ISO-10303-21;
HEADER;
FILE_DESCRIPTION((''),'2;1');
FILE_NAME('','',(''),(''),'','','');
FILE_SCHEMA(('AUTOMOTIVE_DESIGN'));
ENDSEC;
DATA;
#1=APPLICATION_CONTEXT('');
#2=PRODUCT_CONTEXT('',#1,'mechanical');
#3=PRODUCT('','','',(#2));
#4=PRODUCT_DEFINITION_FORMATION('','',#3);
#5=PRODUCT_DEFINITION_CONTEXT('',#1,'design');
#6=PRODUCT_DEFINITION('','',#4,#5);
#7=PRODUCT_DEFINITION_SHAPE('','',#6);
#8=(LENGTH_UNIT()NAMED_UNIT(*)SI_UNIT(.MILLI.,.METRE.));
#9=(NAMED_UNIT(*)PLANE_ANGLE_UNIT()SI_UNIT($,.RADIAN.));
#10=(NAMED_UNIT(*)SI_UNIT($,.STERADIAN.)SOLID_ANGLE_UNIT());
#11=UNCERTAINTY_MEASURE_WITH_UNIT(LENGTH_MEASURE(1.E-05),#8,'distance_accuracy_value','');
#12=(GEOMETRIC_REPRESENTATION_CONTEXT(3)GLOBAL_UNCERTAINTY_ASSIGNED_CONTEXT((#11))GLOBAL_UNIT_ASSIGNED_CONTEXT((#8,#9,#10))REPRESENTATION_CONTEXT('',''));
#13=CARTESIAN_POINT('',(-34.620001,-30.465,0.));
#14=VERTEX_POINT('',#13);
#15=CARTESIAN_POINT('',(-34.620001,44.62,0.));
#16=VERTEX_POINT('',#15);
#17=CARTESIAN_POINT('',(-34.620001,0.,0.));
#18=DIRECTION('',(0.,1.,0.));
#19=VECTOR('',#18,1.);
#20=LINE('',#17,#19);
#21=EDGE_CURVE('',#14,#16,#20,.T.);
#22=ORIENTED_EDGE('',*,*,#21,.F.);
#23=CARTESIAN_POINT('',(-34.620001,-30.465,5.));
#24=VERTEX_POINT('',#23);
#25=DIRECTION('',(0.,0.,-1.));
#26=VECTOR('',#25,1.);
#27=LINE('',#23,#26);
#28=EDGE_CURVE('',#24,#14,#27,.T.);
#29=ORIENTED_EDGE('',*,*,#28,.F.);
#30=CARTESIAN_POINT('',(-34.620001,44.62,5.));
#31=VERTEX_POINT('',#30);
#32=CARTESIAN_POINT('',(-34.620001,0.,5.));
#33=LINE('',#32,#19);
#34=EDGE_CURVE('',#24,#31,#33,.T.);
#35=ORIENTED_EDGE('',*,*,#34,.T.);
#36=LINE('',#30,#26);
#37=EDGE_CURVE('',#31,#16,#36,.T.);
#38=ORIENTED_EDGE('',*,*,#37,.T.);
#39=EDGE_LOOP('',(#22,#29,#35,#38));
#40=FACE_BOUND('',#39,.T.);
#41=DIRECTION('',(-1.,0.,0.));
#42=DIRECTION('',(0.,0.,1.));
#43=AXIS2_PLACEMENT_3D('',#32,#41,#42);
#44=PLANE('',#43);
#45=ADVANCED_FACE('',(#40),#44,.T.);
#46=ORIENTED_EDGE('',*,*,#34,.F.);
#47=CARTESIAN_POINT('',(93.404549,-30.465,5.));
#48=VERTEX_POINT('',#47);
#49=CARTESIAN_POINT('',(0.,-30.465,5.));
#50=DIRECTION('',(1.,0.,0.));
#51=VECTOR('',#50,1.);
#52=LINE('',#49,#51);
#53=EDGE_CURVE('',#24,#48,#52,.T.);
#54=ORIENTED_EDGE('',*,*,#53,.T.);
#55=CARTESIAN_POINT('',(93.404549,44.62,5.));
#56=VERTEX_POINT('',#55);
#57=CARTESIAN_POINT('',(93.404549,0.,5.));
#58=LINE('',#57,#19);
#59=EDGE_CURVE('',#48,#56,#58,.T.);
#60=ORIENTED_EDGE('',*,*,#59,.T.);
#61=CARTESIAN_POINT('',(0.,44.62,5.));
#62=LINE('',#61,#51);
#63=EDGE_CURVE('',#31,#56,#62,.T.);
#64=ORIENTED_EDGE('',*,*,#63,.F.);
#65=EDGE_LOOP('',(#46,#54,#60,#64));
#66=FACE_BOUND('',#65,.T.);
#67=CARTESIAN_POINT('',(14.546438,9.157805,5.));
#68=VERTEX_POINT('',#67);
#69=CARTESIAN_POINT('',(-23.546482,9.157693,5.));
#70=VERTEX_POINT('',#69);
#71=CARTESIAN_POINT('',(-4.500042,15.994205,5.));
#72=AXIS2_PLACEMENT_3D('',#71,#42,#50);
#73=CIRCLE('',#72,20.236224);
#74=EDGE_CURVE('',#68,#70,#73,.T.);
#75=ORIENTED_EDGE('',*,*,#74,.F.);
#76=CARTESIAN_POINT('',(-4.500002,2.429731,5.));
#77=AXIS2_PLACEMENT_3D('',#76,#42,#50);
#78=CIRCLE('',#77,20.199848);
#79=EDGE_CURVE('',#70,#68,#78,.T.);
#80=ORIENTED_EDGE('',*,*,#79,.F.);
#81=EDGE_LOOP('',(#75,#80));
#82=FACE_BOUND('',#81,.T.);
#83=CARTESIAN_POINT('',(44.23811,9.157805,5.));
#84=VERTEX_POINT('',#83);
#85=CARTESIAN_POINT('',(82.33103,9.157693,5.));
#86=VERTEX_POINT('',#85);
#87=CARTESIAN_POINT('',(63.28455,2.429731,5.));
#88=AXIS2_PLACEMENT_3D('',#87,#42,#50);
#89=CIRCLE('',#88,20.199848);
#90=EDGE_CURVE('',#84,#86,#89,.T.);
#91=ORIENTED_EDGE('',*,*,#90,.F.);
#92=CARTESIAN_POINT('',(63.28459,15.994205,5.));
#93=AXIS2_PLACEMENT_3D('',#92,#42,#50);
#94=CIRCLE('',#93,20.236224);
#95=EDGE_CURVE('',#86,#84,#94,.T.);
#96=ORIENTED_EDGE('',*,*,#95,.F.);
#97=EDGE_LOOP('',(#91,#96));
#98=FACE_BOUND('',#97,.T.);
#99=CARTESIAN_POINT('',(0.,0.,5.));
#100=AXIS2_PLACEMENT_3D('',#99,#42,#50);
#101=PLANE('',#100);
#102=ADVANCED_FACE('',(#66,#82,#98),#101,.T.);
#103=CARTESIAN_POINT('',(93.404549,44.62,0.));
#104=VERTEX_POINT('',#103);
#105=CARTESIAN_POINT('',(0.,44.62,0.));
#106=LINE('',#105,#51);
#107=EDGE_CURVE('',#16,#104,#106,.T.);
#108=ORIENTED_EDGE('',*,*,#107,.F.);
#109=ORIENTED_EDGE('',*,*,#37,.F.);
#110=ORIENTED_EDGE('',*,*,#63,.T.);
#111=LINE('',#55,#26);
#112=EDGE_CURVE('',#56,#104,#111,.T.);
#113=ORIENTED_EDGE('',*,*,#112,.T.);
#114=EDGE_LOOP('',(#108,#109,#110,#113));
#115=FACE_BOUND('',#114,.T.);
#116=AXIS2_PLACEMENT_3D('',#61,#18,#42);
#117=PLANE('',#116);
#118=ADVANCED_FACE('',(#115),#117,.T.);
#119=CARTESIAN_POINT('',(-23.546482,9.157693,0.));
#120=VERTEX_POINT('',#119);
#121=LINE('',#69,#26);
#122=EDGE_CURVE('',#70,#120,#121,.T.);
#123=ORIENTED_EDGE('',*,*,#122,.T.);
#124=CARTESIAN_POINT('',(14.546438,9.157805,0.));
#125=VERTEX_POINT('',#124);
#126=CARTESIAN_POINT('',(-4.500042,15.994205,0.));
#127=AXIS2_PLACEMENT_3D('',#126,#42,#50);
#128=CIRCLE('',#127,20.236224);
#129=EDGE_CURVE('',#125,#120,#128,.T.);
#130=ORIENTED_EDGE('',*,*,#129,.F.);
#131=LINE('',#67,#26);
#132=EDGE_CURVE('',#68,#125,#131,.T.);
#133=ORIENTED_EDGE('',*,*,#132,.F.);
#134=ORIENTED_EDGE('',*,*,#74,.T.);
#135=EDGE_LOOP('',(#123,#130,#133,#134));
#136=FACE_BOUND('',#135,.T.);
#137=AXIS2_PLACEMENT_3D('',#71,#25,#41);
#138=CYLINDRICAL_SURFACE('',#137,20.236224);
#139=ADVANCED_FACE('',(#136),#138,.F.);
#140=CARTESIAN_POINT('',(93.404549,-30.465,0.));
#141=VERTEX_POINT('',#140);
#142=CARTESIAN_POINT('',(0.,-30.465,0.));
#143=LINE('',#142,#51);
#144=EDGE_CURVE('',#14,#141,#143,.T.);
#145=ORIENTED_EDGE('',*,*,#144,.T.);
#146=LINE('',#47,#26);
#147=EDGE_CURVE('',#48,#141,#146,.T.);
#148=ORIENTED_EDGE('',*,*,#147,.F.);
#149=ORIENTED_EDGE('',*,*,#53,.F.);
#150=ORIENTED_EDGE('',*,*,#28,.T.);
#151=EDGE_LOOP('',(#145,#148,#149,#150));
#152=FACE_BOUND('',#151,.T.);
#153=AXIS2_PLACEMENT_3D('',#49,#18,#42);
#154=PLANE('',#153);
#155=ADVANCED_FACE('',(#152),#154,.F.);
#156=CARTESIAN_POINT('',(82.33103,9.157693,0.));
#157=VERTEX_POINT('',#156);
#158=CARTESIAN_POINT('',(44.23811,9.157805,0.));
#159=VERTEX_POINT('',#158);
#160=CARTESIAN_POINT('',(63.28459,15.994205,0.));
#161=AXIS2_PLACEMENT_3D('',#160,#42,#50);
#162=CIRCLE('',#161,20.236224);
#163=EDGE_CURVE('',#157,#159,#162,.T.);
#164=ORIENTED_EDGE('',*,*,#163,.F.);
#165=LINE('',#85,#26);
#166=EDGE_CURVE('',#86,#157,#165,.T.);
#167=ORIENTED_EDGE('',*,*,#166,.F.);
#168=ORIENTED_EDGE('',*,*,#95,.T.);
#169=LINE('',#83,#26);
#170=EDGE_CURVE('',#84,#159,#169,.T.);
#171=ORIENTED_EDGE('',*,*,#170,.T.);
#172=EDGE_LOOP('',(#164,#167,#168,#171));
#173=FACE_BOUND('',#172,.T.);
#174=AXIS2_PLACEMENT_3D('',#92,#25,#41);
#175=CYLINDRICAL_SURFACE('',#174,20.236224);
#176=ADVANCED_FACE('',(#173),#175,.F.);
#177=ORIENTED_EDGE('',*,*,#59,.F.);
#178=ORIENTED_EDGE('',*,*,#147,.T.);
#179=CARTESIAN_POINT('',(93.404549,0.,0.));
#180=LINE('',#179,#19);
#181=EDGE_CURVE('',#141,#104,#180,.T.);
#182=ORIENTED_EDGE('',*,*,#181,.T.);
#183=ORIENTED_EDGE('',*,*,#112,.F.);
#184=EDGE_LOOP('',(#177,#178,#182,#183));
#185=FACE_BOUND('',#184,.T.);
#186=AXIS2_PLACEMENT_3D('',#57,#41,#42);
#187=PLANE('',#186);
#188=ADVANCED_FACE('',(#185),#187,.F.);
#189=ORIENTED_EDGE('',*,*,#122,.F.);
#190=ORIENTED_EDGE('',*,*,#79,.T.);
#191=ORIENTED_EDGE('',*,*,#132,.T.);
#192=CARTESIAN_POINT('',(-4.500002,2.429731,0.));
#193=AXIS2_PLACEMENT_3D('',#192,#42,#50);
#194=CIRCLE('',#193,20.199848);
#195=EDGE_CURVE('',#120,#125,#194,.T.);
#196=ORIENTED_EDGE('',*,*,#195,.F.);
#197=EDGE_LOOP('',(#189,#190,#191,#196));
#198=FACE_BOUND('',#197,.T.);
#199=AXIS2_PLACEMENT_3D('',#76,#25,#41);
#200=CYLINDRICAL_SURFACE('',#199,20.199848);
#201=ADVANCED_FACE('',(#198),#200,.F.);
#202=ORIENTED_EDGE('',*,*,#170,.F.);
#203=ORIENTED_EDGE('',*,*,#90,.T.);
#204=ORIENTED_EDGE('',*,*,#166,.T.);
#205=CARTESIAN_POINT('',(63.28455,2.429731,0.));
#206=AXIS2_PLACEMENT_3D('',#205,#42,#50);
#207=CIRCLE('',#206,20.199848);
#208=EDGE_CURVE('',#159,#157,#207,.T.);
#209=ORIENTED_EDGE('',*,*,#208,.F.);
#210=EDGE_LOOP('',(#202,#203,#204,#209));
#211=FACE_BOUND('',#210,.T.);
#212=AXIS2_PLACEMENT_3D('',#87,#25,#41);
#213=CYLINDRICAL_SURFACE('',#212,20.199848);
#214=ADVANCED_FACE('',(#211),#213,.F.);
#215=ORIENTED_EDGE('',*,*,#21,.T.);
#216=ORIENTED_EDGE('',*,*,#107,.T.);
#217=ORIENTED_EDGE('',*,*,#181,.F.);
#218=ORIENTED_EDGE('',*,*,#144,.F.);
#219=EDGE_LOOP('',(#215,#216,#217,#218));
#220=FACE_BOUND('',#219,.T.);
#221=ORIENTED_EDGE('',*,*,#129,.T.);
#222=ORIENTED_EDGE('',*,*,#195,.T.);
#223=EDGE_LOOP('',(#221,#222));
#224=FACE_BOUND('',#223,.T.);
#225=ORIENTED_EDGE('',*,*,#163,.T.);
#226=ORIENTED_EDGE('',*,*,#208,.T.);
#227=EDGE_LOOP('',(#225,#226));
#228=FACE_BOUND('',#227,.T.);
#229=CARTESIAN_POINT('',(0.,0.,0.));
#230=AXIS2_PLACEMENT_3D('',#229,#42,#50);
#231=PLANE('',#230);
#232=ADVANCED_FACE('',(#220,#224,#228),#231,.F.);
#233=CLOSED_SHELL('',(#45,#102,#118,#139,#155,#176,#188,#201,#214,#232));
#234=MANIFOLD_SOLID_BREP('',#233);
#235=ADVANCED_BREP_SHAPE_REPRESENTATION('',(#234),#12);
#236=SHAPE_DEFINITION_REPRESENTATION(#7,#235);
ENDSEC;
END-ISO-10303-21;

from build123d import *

# Parameters (mm, degrees)
SKETCH1_W           = 64.012274628
SKETCH1_H           = 75.085000506
BOSS_EXTRUDE1_DEPTH = 5


with BuildPart() as part:
    # Sketch1 → Boss-Extrude1 (new body)
    # profile 1 of 2: a face of its own
    with BuildSketch(Plane.XY):
        with Locations((61.398411242, 7.077500224)):
            Rectangle(SKETCH1_W, SKETCH1_H)
        with BuildLine():
            ThreePointArc((83.484398078, 2.429730903), (59.871437613, -17.479677368), (44.238109553, 9.157805497))
            ThreePointArc((44.238109553, 9.157805497), (59.81501285, 35.930775127), (83.520814038, 15.994205484))
            ThreePointArc((83.520814038, 15.994205484), (83.22114917, 12.52456978), (82.331029644, 9.157693158))
            ThreePointArc((82.331029644, 9.157693158), (83.193968093, 5.842784333), (83.484398078, 2.429730903))
        make_face(mode=Mode.SUBTRACT)
    # profile 2 of 2: a face of its own
    with BuildSketch(Plane.XY):
        with Locations((-2.613863386, 7.077500224)):
            Rectangle(SKETCH1_W, SKETCH1_H)
        with BuildLine():
            ThreePointArc((15.69984642, 2.429730903), (-7.913055331, -17.479687433), (-23.546481788, 9.157693158))
            ThreePointArc((-23.546481788, 9.157693158), (-7.969677608, 35.930764895), (15.736182375, 15.994205484))
            ThreePointArc((15.736182375, 15.994205484), (15.436527739, 12.524628574), (14.546438303, 9.157805497))
            ThreePointArc((14.546438303, 9.157805497), (15.409406369, 5.842843047), (15.69984642, 2.429730903))
        make_face(mode=Mode.SUBTRACT)
    extrude(amount=BOSS_EXTRUDE1_DEPTH)


solid = part.part
